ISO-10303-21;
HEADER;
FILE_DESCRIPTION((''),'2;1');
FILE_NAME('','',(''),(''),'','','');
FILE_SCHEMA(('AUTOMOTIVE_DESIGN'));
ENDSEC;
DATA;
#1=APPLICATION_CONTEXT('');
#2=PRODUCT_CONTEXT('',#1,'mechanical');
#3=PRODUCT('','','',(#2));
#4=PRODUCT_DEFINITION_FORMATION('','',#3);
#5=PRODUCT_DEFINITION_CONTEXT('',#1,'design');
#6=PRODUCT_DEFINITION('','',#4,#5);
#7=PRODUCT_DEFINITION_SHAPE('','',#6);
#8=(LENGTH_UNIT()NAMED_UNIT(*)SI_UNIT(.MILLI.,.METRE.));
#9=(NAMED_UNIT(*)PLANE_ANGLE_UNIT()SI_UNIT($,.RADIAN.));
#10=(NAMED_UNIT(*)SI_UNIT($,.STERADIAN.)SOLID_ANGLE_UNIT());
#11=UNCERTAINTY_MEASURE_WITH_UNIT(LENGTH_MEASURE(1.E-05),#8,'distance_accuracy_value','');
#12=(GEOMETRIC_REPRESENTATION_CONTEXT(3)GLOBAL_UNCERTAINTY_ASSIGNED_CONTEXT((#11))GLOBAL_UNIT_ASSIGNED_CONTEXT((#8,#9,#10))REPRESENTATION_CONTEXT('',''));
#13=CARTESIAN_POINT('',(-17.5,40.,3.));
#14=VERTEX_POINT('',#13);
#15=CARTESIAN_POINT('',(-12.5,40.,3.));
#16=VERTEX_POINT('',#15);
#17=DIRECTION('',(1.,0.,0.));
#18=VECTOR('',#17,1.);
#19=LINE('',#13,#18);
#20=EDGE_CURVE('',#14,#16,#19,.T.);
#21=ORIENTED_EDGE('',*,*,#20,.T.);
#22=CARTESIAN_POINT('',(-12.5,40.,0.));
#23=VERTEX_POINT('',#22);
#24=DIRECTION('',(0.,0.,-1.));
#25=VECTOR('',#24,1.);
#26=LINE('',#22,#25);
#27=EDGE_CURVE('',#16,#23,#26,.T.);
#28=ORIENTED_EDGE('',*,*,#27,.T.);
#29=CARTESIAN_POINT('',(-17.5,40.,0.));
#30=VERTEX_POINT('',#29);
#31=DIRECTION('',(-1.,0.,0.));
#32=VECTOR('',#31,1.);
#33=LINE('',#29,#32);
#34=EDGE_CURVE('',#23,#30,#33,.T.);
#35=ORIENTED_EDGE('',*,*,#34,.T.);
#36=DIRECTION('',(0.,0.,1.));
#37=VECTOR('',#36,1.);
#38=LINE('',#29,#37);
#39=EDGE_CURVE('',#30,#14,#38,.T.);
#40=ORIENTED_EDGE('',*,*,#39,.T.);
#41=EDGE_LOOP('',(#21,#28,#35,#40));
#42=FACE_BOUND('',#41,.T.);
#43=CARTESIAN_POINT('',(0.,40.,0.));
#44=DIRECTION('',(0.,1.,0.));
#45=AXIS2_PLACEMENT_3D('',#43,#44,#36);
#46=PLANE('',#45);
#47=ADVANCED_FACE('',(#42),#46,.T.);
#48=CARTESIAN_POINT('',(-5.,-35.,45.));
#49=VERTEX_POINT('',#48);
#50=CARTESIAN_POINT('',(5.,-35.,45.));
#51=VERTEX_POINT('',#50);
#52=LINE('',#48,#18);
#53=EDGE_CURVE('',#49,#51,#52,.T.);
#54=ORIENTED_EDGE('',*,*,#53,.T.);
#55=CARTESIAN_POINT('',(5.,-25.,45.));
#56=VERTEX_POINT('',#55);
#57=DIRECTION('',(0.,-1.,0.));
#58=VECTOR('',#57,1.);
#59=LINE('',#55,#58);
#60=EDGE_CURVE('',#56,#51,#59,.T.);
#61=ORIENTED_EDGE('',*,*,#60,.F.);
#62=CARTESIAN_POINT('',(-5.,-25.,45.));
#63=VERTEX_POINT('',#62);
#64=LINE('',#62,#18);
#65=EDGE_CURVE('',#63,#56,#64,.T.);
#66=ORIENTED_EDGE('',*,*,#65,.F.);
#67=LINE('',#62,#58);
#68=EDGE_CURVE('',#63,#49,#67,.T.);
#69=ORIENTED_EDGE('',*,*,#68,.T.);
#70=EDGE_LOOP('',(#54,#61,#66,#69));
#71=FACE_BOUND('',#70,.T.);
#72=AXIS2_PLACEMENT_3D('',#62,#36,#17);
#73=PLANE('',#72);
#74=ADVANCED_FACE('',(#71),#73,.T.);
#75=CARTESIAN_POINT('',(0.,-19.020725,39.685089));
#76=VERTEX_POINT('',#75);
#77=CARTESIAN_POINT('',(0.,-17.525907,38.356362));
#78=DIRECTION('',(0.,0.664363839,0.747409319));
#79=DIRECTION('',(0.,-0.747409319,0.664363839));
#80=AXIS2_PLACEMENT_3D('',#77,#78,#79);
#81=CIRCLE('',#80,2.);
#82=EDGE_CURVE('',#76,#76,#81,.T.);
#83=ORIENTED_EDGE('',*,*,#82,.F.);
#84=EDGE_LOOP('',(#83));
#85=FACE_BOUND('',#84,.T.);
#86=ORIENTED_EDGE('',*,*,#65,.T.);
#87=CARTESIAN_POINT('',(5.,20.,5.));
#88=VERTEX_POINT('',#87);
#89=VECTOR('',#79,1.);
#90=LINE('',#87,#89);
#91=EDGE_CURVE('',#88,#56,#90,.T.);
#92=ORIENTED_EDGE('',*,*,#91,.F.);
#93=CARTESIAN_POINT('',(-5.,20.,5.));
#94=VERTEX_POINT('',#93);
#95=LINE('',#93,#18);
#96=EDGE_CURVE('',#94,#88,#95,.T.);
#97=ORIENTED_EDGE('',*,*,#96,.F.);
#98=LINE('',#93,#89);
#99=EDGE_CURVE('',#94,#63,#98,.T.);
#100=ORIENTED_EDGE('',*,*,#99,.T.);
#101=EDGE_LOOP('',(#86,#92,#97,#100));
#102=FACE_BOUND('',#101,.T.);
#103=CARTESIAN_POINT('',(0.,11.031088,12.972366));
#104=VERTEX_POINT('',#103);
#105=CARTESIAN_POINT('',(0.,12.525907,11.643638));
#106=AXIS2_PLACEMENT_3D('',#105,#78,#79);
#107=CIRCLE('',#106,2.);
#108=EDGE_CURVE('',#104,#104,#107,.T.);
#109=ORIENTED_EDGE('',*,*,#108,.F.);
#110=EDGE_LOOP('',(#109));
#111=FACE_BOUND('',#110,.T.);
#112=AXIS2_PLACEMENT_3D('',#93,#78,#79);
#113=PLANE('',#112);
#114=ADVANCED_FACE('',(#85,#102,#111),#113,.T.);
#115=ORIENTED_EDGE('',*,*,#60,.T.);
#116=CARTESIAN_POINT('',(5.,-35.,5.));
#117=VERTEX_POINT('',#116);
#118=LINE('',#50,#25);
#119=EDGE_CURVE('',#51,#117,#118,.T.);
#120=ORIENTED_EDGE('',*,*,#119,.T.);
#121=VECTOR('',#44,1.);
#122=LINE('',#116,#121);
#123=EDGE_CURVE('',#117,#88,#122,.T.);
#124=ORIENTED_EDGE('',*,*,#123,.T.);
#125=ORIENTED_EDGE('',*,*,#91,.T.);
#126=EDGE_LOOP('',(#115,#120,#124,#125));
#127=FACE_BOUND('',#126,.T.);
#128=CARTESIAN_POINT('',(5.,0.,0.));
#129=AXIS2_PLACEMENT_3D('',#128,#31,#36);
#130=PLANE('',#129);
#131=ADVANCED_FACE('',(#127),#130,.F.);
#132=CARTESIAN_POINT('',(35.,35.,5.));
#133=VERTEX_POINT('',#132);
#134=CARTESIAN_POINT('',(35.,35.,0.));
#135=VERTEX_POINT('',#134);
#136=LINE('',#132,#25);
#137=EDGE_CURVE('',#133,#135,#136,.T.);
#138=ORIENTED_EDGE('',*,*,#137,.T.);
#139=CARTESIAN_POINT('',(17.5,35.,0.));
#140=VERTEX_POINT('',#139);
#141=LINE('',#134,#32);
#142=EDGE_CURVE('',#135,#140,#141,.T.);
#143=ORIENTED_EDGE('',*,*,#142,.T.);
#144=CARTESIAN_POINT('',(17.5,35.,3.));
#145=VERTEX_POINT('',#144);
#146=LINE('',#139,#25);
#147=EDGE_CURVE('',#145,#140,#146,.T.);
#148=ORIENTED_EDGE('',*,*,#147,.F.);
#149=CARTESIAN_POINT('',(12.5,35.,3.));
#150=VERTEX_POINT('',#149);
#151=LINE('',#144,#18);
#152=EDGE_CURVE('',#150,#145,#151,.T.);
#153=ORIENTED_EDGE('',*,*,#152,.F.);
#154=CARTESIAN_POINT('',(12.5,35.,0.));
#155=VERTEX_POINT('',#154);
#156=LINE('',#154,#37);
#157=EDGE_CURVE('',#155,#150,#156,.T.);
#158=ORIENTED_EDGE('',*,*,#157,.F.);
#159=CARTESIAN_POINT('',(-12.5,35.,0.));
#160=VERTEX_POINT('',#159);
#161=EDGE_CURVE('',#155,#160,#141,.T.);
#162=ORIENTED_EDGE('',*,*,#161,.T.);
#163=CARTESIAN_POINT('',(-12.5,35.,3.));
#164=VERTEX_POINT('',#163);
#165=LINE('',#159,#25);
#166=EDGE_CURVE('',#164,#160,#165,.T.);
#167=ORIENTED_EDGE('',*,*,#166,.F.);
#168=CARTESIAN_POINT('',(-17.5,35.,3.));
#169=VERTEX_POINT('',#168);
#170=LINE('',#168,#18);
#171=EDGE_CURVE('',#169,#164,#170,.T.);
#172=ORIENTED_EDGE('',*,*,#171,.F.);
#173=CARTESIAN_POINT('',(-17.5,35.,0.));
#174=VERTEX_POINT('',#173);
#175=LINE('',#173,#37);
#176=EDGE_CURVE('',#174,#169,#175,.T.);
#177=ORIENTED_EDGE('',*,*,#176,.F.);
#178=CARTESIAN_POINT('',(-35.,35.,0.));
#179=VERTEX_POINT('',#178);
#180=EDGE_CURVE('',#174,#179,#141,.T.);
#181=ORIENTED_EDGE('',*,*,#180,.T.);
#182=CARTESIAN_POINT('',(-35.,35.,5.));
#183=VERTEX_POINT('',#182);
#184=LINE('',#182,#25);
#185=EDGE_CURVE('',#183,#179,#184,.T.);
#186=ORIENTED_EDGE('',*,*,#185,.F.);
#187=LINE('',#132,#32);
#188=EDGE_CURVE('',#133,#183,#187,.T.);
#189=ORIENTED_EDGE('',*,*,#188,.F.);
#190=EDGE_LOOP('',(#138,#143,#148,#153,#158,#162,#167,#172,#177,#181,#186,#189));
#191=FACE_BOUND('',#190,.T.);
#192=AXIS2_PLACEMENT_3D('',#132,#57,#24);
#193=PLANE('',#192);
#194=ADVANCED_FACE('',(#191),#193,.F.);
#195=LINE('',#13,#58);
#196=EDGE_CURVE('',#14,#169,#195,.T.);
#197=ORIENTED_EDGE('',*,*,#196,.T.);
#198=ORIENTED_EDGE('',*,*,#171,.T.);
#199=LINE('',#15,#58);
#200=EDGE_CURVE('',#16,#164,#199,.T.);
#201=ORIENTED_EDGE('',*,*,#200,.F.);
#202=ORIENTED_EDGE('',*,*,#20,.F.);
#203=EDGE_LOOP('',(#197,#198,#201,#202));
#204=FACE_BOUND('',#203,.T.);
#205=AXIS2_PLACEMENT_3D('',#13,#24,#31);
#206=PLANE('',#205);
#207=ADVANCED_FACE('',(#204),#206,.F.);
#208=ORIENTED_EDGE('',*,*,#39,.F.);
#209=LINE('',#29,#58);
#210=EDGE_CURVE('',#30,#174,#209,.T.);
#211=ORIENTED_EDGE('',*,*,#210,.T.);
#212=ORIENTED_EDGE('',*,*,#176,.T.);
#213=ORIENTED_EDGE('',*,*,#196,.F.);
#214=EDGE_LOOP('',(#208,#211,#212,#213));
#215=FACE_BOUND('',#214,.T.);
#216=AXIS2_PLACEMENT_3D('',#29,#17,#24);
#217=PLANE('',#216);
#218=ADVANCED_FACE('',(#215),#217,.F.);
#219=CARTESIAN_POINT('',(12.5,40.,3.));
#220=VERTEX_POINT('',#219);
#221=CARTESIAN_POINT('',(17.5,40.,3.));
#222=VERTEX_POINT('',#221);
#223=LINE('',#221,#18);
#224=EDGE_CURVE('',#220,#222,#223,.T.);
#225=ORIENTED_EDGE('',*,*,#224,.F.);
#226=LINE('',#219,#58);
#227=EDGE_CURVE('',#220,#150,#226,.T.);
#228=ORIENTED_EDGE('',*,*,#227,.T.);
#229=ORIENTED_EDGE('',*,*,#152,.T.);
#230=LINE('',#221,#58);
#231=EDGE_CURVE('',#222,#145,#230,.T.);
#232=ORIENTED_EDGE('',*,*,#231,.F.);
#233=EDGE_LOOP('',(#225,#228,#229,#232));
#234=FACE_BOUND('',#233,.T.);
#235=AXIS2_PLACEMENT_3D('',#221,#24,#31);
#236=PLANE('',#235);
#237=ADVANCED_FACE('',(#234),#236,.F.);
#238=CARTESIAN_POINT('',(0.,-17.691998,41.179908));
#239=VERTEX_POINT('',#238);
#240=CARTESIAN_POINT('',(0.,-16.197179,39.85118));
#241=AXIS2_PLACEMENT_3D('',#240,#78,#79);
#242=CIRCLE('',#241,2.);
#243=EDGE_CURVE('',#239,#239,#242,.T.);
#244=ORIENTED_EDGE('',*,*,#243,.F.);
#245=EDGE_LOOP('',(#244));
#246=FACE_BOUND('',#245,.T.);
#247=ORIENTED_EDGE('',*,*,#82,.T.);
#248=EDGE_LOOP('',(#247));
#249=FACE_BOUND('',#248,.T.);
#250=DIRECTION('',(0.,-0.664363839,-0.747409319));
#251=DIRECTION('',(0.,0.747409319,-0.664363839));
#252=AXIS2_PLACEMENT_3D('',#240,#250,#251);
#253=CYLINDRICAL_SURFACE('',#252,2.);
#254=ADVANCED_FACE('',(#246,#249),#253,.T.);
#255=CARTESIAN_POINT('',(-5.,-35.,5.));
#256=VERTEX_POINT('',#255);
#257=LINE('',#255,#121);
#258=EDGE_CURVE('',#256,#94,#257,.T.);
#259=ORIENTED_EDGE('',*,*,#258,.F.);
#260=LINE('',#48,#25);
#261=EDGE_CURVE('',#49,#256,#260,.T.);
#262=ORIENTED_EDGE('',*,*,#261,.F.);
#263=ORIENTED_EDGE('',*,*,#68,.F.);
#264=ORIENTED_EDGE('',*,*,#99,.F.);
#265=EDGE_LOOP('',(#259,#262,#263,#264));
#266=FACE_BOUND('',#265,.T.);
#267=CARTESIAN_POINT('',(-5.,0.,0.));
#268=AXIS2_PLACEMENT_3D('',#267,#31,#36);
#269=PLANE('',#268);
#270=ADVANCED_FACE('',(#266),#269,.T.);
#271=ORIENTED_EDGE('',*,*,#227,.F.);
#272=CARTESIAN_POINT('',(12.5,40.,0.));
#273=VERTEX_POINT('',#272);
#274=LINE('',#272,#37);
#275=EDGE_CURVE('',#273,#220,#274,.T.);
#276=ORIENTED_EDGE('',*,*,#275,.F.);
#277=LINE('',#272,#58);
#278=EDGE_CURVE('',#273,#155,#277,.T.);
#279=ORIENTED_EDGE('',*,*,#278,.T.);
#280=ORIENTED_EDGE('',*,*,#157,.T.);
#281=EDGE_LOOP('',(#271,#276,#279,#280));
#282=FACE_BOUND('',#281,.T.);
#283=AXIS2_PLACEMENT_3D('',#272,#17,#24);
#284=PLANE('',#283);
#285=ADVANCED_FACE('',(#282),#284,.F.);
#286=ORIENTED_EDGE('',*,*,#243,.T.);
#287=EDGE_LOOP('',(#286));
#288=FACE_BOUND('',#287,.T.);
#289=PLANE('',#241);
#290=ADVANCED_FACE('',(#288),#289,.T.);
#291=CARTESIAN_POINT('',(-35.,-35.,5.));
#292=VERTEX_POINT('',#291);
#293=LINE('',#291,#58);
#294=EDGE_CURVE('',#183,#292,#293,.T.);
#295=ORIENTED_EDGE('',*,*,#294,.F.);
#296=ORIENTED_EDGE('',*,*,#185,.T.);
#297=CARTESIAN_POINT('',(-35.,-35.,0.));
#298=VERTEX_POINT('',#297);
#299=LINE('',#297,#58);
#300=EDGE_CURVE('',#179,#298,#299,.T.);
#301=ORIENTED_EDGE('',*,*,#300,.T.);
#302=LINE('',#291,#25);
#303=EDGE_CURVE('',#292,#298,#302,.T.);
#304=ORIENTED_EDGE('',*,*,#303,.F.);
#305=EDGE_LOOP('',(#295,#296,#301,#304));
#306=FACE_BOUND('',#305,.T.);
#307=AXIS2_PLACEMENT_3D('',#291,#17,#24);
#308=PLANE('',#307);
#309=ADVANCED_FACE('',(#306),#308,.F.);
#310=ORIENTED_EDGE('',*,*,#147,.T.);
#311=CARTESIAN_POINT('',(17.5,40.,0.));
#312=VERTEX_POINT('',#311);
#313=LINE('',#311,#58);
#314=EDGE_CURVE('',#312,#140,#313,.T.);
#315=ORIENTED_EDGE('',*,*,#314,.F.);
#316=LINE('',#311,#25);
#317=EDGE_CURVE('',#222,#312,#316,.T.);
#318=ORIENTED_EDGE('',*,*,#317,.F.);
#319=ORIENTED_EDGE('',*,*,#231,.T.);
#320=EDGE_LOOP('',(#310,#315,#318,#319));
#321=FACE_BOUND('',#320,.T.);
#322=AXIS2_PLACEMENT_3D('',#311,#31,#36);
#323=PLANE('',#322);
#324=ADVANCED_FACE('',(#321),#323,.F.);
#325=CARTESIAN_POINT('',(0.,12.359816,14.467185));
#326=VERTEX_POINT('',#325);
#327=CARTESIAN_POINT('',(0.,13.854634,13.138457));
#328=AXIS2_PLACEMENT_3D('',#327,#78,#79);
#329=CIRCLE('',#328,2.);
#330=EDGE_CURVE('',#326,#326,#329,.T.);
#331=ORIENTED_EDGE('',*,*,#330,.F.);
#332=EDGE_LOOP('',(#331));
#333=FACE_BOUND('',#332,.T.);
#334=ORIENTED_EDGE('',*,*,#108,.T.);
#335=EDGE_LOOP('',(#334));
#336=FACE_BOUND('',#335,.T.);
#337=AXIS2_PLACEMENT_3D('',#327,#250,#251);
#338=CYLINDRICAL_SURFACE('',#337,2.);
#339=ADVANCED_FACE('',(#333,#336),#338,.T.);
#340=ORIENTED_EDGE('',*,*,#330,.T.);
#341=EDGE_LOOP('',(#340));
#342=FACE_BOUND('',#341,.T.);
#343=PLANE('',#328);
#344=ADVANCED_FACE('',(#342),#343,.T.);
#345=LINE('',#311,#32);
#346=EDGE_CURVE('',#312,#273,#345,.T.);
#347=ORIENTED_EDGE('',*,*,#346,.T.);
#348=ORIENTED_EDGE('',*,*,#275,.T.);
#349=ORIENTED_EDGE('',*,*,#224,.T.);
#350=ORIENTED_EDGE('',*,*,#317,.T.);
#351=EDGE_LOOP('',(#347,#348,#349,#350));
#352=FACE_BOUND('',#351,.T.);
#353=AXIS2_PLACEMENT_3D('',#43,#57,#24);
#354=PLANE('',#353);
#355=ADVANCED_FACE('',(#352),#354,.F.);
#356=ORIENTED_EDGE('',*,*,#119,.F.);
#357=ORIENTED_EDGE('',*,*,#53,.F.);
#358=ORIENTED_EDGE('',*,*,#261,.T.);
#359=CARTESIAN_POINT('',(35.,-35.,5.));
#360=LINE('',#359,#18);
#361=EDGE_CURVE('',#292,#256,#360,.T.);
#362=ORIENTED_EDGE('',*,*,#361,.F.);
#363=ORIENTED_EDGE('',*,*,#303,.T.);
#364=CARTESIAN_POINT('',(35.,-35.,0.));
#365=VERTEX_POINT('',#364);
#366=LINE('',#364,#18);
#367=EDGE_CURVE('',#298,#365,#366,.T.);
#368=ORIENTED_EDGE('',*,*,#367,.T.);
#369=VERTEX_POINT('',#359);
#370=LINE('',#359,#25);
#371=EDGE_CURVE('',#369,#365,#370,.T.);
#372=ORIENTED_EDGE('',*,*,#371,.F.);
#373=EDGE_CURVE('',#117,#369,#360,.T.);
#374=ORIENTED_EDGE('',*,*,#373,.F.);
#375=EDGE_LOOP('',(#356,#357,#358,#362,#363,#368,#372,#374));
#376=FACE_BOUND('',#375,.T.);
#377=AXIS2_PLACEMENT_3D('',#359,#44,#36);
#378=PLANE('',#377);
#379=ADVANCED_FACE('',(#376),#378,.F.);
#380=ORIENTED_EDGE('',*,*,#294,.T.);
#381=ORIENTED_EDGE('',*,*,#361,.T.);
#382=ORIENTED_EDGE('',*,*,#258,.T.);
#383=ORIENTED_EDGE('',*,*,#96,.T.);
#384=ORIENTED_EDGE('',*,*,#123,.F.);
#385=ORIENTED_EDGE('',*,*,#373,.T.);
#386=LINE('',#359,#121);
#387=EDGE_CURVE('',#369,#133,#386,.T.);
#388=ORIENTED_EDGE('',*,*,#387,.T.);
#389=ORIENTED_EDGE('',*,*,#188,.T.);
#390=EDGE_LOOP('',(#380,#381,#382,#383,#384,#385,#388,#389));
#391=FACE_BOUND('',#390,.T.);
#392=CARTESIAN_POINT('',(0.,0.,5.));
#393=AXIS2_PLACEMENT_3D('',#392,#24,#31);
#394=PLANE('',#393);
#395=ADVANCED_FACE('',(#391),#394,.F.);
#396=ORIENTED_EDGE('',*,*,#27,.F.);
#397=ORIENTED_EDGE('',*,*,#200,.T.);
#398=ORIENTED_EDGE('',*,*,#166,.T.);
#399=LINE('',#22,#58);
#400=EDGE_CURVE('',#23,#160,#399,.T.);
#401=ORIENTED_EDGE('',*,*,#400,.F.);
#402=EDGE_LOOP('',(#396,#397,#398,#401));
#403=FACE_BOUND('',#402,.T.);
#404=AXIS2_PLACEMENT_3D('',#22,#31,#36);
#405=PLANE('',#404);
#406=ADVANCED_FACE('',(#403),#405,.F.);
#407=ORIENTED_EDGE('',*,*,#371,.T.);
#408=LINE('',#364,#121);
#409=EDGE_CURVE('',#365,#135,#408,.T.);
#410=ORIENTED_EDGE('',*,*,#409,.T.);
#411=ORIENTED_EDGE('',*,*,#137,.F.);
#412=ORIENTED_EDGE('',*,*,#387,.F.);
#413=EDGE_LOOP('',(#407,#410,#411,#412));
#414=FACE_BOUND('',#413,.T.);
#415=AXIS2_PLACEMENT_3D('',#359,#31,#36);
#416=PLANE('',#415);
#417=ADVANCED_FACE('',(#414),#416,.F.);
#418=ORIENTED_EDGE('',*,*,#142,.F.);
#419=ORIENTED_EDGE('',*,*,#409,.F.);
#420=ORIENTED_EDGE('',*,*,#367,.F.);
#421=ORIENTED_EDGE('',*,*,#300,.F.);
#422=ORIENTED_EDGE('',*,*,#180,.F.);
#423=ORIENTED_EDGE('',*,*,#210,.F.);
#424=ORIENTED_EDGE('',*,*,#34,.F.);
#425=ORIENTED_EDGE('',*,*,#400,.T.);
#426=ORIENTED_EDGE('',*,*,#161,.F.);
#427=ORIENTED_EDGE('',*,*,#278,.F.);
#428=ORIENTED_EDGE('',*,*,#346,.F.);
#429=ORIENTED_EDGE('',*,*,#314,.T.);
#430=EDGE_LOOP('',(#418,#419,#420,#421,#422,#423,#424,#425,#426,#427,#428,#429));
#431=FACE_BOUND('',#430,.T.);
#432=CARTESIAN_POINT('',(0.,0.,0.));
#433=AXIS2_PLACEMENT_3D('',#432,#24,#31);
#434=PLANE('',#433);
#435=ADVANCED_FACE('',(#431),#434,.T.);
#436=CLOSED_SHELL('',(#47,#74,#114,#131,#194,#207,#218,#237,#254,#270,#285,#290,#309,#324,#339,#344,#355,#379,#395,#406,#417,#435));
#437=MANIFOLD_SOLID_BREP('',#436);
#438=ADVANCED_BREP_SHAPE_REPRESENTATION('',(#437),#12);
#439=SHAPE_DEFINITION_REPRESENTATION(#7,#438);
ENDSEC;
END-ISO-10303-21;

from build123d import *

# Parameters (mm, degrees)
SKETCH1_W                = 70
SKETCH1_H                = 70
BOSS_EXTRUDE1_DEPTH      = 5
SKETCH2_W                = 5
SKETCH2_H                = 3
BOSS_EXTRUDE2_DEPTH      = 5
BOSS_EXTRUDE6_DEPTH      = 5
BOSS_EXTRUDE6_DEPTH_BACK = 5
SKETCH16_R               = 2
BOSS_EXTRUDE10_DEPTH     = 2


with BuildPart() as part:
    # Sketch1 → Boss-Extrude1 (new body)
    with BuildSketch(Plane(origin=(0, 0, 0), x_dir=(0, 1, 0), z_dir=(0, 0, 1))):
        Rectangle(SKETCH1_W, SKETCH1_H)
    extrude(amount=BOSS_EXTRUDE1_DEPTH)

    # Sketch2 → Boss-Extrude2 (add)
    with BuildSketch(Plane(origin=(0, 35, 0), x_dir=(-1, 0, 0), z_dir=(0, 1, 0))):
        with Locations((-15, 1.5)):
            Rectangle(SKETCH2_W, SKETCH2_H)
        with Locations((15, 1.5)):
            Rectangle(SKETCH2_W, SKETCH2_H)
    extrude(amount=BOSS_EXTRUDE2_DEPTH)

    # Sketch10 → Boss-Extrude6 (add, two sides: drawn at the far end of the back side and taken through both)
    with BuildSketch(Plane.YZ.offset(-BOSS_EXTRUDE6_DEPTH_BACK)):
        Polygon((20, 5), (-25, 45), (-35, 45), (-35, 5), align=None)
    extrude(amount=BOSS_EXTRUDE6_DEPTH + BOSS_EXTRUDE6_DEPTH_BACK)

    # Sketch16 → Boss-Extrude10 (add)
    with BuildSketch(Plane(origin=(0, 11.310344828, 12.724137931), x_dir=(1, 0, 0), z_dir=(0, 0.6643638388299197, 0.7474093186836598))):
        with Locations(Location((0, 1.62636718, 0), (0, 0, 270))):
            Circle(SKETCH16_R)
        with Locations(Location((0, -38.581605714, 0), (0, 0, 270))):
            Circle(SKETCH16_R)
    extrude(amount=BOSS_EXTRUDE10_DEPTH)


solid = part.part
